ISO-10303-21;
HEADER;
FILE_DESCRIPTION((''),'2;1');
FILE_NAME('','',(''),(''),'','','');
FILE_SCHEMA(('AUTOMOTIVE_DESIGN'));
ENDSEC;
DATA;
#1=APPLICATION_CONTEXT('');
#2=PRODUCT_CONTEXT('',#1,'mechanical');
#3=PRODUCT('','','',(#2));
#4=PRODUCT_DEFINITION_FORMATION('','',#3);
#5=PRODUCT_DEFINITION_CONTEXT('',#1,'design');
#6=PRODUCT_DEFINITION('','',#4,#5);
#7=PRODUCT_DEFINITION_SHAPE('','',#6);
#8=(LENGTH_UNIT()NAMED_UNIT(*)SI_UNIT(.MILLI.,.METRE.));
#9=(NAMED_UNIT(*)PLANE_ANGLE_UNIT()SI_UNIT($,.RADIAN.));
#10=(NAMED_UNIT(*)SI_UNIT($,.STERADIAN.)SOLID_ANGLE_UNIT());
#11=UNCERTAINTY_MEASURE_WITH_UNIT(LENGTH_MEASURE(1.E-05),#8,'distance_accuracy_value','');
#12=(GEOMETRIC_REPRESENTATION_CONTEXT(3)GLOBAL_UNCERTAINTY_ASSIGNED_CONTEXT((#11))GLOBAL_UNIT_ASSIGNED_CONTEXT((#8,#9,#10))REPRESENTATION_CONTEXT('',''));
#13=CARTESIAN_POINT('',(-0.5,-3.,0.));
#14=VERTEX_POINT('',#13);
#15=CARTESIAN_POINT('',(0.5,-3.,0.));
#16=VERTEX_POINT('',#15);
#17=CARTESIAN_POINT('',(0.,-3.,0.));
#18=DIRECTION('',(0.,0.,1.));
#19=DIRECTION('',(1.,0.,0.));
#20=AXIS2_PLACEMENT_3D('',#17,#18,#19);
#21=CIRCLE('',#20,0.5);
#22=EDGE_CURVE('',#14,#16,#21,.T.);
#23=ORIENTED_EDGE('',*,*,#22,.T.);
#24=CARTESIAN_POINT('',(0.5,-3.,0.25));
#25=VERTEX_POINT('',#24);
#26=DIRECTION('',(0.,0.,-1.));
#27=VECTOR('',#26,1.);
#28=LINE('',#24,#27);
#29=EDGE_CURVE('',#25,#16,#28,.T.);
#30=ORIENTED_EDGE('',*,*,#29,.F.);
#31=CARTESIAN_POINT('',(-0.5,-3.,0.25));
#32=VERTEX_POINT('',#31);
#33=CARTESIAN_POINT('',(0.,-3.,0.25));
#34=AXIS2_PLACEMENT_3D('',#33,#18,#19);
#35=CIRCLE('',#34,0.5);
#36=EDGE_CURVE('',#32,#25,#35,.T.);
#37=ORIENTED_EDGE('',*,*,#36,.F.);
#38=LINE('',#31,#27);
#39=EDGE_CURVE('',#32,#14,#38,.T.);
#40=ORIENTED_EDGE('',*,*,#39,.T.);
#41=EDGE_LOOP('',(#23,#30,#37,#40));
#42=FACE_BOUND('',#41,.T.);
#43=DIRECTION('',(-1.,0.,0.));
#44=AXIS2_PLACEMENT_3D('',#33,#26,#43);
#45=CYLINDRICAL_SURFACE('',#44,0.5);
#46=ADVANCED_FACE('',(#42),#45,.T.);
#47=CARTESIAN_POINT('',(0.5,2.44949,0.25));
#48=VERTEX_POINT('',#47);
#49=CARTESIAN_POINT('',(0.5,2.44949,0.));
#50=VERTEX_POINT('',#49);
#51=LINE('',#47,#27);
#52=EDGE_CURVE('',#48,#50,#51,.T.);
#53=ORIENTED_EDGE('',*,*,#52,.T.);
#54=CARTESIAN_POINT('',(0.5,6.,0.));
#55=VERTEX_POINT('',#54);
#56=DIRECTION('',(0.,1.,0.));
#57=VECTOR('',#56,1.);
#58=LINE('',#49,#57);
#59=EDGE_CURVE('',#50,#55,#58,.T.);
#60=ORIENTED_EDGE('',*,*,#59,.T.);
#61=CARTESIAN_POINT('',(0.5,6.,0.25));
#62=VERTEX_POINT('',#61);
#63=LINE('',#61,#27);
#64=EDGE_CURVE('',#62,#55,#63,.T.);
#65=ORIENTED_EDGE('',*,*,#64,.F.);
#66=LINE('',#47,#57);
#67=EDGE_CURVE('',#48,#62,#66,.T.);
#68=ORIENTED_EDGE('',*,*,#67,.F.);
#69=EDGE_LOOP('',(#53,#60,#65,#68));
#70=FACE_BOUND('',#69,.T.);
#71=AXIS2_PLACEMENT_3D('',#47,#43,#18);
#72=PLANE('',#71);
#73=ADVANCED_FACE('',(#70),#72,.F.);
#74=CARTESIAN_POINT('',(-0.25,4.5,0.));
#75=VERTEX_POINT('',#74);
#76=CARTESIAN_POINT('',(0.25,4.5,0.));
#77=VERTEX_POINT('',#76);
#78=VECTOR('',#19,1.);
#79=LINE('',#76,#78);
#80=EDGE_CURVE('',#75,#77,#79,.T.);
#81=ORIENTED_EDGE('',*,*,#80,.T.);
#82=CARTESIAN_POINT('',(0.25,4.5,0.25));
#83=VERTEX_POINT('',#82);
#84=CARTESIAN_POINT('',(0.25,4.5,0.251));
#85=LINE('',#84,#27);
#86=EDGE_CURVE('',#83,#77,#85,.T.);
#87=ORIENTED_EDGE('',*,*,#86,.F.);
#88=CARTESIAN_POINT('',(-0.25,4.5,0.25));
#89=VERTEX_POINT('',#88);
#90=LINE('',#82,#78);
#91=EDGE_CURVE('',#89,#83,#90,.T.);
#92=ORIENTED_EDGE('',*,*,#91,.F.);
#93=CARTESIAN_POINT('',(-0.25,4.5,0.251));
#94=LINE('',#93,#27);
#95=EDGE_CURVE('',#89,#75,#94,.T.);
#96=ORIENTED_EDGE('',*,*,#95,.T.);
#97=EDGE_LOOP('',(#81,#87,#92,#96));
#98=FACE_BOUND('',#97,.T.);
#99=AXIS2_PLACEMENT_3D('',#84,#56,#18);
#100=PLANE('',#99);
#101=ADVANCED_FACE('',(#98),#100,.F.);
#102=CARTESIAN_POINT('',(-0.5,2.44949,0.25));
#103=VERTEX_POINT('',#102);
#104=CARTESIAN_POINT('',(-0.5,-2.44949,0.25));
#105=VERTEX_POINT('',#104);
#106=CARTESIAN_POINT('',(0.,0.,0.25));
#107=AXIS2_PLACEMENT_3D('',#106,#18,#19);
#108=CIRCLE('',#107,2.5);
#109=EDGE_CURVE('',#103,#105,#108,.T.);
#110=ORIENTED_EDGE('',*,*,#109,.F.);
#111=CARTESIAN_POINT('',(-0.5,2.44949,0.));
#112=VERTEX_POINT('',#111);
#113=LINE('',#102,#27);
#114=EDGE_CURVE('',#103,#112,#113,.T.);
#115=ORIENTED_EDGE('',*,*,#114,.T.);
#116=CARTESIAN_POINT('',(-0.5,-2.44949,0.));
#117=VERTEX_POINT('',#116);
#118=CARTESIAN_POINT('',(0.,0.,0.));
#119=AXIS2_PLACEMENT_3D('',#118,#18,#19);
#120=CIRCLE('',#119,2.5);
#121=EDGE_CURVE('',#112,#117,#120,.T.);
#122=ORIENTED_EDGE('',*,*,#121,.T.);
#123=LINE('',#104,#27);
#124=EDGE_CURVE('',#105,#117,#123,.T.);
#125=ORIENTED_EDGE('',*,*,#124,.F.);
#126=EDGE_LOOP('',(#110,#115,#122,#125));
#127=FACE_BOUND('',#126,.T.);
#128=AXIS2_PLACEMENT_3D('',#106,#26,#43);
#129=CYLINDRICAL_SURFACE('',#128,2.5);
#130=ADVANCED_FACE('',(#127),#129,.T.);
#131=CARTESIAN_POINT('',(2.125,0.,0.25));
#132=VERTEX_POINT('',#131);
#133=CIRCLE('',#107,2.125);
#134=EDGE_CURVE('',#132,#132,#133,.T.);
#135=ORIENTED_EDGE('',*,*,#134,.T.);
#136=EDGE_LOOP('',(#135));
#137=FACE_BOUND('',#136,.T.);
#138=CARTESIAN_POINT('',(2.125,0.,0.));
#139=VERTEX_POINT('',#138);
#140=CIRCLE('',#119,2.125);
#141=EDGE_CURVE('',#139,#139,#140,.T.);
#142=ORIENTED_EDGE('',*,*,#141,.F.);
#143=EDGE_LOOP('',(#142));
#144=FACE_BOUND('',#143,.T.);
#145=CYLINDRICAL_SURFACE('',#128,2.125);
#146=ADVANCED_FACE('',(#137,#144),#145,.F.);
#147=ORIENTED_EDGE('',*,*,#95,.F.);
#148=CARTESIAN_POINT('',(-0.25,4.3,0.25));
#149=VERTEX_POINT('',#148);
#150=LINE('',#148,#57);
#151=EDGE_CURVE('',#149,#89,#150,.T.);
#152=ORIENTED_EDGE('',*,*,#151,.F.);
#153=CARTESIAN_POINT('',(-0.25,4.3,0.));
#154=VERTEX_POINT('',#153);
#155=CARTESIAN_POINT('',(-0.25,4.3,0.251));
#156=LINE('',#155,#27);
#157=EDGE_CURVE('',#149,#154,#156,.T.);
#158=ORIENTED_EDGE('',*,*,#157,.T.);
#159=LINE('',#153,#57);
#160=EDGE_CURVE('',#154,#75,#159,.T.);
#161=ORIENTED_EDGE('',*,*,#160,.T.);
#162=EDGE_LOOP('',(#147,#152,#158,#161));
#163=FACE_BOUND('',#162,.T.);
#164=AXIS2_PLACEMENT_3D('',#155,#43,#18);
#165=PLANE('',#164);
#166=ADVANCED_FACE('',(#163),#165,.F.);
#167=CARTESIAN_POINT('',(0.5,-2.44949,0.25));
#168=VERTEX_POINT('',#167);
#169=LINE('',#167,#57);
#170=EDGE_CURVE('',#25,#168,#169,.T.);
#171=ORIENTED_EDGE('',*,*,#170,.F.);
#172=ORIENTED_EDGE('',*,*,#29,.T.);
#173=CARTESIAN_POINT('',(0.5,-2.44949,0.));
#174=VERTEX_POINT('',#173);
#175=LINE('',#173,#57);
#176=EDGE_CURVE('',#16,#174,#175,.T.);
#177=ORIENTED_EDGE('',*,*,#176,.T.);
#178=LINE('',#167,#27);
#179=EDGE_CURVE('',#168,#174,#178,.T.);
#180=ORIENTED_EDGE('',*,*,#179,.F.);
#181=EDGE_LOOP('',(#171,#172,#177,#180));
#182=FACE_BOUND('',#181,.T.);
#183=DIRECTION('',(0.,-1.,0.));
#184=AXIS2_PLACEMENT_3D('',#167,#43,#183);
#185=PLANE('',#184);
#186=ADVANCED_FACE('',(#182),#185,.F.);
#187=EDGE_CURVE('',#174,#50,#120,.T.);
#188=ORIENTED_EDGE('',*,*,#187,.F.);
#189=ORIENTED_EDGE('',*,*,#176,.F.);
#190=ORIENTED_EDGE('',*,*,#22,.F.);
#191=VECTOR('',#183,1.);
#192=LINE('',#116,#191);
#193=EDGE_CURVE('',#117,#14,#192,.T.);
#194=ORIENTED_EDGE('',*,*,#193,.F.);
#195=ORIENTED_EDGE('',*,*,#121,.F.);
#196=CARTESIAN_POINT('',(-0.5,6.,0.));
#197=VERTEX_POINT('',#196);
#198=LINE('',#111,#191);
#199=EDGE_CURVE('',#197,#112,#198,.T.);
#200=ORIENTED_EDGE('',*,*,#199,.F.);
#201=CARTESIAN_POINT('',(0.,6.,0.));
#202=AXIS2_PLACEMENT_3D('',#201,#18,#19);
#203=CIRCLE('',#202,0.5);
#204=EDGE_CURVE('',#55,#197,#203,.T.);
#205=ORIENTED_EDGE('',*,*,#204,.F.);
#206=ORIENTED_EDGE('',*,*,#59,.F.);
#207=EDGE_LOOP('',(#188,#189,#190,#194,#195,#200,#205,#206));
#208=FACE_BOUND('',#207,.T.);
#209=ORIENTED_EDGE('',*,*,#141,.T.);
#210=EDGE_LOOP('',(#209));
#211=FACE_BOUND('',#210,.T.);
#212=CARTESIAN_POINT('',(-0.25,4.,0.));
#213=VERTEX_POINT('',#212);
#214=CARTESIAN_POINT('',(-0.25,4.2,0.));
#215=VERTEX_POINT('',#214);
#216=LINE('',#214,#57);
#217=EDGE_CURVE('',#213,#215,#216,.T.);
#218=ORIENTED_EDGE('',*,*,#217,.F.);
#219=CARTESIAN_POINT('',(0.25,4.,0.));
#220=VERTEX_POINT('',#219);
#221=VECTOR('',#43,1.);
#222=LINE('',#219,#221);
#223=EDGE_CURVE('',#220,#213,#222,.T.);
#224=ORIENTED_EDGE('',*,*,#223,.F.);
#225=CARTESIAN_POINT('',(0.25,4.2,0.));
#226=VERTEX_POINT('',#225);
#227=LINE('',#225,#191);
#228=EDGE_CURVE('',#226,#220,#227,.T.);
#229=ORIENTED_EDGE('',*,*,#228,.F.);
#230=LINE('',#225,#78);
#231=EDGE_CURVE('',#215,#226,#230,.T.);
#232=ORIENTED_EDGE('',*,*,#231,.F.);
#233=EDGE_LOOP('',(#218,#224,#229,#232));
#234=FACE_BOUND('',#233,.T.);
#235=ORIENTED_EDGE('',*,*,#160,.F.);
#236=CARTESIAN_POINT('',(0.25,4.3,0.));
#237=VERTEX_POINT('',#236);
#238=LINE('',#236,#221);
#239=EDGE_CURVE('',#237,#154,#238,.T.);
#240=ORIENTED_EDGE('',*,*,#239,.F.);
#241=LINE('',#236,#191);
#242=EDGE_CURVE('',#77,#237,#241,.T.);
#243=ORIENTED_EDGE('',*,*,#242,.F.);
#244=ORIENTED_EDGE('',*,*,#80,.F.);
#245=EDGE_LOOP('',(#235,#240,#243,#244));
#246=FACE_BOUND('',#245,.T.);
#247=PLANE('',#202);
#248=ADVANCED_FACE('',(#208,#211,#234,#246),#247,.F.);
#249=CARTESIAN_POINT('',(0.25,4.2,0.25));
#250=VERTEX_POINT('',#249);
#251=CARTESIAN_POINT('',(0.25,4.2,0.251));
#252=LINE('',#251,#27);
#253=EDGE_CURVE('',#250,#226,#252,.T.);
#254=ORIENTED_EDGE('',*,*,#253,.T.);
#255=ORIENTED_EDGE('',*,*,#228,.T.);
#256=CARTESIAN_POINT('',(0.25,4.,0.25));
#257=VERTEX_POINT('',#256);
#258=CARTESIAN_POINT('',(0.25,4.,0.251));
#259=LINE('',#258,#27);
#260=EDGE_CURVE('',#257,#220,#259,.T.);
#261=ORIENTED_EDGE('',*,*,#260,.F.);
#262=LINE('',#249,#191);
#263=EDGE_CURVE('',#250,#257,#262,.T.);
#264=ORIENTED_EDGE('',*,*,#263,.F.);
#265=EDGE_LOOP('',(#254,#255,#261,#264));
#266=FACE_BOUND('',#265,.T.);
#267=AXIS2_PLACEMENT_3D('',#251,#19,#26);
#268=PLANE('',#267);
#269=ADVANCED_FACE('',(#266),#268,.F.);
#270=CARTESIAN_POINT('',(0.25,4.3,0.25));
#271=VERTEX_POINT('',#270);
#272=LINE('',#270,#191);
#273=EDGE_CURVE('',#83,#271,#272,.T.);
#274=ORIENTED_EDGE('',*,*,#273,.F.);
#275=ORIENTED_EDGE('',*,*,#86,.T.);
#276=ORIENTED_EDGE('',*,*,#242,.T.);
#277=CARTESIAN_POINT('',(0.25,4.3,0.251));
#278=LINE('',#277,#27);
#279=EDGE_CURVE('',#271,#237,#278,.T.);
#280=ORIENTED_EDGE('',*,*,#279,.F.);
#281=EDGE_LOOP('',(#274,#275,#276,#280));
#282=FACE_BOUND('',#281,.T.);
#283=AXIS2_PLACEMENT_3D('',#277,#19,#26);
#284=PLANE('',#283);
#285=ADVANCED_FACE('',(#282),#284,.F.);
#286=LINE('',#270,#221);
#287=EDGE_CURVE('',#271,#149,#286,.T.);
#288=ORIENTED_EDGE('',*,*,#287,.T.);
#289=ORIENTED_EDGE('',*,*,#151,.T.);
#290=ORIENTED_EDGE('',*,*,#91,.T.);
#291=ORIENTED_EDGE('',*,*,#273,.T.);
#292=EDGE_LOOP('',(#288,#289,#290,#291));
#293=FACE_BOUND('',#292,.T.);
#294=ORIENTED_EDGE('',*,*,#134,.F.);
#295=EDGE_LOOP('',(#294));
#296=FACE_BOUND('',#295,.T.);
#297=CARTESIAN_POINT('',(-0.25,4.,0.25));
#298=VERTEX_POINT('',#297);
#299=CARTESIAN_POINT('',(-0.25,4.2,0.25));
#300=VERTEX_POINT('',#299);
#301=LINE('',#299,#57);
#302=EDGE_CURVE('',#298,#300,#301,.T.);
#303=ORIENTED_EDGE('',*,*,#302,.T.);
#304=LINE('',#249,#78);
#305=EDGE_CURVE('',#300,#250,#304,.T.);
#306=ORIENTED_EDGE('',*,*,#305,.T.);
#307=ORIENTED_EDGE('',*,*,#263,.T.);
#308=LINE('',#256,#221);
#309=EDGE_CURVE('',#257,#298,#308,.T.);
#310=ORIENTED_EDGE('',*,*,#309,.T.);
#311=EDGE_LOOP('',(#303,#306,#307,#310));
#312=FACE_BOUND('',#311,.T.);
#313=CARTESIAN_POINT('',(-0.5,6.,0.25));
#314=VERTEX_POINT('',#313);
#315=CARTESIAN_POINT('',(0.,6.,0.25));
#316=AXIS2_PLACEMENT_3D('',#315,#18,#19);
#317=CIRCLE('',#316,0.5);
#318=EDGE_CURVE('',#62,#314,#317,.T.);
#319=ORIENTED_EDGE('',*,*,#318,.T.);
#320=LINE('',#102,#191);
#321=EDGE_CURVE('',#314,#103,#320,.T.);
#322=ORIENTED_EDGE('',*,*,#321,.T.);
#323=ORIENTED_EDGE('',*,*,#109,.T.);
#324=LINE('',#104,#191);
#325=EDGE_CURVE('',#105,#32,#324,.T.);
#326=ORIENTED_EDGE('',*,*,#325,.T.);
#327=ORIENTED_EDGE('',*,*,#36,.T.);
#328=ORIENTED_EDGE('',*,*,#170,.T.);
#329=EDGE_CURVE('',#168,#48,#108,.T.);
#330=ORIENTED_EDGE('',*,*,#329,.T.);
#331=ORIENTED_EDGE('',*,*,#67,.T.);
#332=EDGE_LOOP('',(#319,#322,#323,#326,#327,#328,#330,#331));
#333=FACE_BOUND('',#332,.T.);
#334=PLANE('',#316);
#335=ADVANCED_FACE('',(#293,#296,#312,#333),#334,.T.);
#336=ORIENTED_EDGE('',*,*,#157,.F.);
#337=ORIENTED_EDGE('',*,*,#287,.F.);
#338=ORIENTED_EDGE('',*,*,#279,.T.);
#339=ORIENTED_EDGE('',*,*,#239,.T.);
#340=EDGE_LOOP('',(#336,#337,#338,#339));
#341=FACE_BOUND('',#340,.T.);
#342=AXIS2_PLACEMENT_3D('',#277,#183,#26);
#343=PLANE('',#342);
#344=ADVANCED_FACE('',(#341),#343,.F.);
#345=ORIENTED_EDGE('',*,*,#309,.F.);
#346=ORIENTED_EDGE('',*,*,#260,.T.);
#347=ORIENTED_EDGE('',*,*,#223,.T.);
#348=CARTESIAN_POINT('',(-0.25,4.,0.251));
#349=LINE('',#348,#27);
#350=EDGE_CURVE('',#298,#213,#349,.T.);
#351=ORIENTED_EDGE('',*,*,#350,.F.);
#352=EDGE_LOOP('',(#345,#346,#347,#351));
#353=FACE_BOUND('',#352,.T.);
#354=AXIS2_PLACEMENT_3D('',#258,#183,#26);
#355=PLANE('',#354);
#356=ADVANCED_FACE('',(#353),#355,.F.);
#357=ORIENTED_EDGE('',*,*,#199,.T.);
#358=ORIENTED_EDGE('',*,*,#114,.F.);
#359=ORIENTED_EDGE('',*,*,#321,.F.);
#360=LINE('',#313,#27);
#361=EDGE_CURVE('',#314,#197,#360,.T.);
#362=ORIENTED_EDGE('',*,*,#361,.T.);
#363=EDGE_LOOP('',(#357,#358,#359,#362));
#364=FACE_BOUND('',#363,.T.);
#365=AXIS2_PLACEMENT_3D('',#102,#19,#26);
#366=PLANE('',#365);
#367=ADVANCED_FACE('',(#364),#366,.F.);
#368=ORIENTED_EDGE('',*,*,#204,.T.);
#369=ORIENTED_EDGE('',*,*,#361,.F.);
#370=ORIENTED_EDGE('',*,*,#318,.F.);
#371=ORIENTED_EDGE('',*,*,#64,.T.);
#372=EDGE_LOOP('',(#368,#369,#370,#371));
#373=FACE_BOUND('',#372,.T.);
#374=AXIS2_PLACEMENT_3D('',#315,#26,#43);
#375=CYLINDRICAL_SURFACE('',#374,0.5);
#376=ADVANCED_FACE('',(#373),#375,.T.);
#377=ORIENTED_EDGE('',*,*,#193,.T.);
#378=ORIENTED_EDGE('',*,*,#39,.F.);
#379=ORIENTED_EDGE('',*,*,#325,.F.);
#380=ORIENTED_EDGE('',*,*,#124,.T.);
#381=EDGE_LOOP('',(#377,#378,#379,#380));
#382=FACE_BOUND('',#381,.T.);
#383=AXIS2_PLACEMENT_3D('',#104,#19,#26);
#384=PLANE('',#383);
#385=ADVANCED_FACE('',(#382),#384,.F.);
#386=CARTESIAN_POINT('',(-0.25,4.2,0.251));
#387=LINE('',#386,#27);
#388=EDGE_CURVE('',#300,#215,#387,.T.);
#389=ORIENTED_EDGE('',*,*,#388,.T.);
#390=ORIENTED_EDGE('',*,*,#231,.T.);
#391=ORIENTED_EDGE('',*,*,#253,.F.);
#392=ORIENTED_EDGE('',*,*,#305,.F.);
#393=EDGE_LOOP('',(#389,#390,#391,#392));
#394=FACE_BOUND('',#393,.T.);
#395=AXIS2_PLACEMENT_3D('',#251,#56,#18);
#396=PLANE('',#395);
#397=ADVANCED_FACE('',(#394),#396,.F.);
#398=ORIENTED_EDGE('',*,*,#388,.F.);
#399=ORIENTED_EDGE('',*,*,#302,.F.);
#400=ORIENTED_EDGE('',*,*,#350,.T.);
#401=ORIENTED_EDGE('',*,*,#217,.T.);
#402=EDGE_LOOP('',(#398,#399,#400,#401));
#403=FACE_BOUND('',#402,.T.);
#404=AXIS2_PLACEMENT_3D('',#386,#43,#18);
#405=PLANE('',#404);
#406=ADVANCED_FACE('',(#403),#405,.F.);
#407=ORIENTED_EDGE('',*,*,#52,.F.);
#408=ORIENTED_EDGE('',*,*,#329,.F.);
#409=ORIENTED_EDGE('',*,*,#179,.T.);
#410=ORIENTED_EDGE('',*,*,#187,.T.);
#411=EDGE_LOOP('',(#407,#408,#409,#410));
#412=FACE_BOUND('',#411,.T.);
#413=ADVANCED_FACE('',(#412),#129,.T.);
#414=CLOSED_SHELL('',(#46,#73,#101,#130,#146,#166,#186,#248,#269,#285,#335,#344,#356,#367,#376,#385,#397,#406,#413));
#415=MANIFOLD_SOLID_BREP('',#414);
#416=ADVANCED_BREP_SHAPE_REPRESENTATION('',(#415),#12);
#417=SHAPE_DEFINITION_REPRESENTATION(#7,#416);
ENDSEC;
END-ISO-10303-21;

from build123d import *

# Parameters (mm, degrees)
SALIENTE_EXTRUIR1_DEPTH = 0.25
CORTAR_EXTRUIR1_REACH   = 2.25
CROQUIS2_W              = 0.5
CROQUIS2_H              = 0.2


with BuildPart() as part:
    # Croquis1 → Saliente-Extruir1 (new body)
    with BuildSketch(Plane.XY):
        with BuildLine():
            Line((-0.5, -2.449489743), (-0.5, -3))
            ThreePointArc((-0.5, -3), (0, -3.5), (0.5, -3))
            Line((0.5, -3), (0.5, -2.449489743))
            ThreePointArc((0.5, -2.449489743), (2.5, 0), (0.5, 2.449489743))
            Line((0.5, 2.449489743), (0.5, 6))
            ThreePointArc((0.5, 6), (0, 6.5), (-0.5, 6))
            Line((-0.5, 6), (-0.5, 2.449489743))
            ThreePointArc((-0.5, 2.449489743), (-2.5, 0), (-0.5, -2.449489743))
        make_face()
        with BuildLine():
            ThreePointArc((-2.110242877, -0.25), (-1.411448724, -1.588533128), (0, -2.125))
            ThreePointArc((0, -2.125), (1.411448724, -1.588533128), (2.110242877, -0.25))
            ThreePointArc((2.110242877, -0.25), (1.588533128, 1.411448724), (0, 2.125))
            ThreePointArc((0, 2.125), (-1.588533128, 1.411448724), (-2.110242877, -0.25))
        make_face(mode=Mode.SUBTRACT)
    extrude(amount=SALIENTE_EXTRUIR1_DEPTH)

    # Croquis2 → Cortar-Extruir1 (cut, up to next)
    with BuildSketch(Plane(origin=(0, 0, 0), x_dir=(-1, 0, 0), z_dir=(0, 0, -1)), mode=Mode.PRIVATE) as cortar_extruir1_sk1:
        with Locations((0, 4.4)):
            Rectangle(CROQUIS2_W, CROQUIS2_H)
    cortar_extruir1_tool1 = extrude(cortar_extruir1_sk1.sketch, amount=-CORTAR_EXTRUIR1_REACH, mode=Mode.PRIVATE) & part.part
    add(cortar_extruir1_tool1.solids().sort_by_distance((0, 4.4, 0))[0], mode=Mode.SUBTRACT)
    # Croquis2 → Cortar-Extruir1 (cut, up to next)
    with BuildSketch(Plane(origin=(0, 0, 0), x_dir=(-1, 0, 0), z_dir=(0, 0, -1)), mode=Mode.PRIVATE) as cortar_extruir1_sk2:
        with Locations((0, 4.1)):
            Rectangle(CROQUIS2_W, CROQUIS2_H)
    cortar_extruir1_tool2 = extrude(cortar_extruir1_sk2.sketch, amount=-CORTAR_EXTRUIR1_REACH, mode=Mode.PRIVATE) & part.part
    add(cortar_extruir1_tool2.solids().sort_by_distance((0, 4.1, 0))[0], mode=Mode.SUBTRACT)


solid = part.part
